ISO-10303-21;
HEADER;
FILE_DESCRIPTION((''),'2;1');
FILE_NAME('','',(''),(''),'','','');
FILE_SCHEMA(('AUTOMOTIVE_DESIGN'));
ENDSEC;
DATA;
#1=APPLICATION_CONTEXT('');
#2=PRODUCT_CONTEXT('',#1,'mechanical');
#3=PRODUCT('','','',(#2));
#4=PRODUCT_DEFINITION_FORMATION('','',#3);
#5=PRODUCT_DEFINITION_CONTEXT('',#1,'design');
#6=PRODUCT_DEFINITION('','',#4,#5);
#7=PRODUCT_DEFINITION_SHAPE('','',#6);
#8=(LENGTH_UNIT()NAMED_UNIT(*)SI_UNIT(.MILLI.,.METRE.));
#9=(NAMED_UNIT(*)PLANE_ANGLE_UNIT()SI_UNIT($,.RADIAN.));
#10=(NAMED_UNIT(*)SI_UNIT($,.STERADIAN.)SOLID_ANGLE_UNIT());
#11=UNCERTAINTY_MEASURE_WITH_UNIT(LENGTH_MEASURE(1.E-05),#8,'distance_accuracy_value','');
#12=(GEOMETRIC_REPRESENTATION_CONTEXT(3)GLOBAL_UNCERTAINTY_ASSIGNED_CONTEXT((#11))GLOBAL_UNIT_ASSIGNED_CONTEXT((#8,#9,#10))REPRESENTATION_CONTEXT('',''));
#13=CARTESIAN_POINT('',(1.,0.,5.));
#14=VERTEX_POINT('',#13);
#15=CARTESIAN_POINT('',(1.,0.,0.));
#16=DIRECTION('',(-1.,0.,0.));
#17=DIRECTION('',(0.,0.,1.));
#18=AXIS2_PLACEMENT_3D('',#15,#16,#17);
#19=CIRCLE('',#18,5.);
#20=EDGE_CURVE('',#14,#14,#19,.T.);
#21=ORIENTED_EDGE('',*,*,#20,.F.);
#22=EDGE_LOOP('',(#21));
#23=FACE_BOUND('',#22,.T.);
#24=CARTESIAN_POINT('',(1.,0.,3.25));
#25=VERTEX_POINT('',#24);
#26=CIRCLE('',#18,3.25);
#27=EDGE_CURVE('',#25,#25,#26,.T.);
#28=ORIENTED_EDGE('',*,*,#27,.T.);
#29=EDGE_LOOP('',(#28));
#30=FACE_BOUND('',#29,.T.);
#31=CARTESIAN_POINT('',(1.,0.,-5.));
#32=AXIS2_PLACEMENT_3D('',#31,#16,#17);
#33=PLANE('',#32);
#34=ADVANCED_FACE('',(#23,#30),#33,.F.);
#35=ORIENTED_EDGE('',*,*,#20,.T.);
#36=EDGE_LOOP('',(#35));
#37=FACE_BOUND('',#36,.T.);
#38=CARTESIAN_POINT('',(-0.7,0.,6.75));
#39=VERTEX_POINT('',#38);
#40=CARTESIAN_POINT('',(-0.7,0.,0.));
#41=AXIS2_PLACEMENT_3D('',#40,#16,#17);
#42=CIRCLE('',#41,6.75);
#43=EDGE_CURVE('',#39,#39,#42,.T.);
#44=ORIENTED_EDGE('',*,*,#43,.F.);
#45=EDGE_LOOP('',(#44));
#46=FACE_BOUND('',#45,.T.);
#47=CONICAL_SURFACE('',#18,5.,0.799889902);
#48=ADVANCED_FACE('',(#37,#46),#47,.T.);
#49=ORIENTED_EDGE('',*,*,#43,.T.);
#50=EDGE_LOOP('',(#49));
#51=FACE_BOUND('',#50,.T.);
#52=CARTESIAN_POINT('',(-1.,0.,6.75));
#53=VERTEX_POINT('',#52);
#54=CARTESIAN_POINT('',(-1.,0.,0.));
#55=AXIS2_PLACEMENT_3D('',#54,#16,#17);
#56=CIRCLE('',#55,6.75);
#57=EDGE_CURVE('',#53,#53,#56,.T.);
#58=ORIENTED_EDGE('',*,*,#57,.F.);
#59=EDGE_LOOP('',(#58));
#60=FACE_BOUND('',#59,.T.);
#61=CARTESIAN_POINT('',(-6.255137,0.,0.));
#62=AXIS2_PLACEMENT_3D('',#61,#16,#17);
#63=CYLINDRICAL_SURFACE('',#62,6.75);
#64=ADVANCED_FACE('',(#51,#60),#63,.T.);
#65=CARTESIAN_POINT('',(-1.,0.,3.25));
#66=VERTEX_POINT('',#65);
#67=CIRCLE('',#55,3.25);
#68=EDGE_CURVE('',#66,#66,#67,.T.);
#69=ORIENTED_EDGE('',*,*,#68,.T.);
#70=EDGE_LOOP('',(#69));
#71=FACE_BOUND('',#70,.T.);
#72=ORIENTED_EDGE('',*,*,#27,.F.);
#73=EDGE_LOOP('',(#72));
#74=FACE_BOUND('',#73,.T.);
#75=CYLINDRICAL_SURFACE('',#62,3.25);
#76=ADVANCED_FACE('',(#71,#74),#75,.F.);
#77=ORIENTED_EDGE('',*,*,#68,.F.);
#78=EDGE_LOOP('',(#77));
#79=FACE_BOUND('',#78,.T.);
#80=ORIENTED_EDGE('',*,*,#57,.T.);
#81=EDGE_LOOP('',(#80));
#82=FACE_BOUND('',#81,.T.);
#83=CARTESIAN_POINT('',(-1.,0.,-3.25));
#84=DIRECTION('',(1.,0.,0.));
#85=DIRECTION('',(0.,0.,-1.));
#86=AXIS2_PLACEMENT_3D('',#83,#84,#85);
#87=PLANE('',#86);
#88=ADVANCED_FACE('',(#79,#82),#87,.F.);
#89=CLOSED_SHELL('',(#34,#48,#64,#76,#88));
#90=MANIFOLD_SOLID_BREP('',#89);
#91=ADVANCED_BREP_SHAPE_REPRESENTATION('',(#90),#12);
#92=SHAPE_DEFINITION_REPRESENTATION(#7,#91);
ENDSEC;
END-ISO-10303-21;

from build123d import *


with BuildPart() as part:
    # Sketch1 → Revolve1 (revolve)
    with BuildSketch(Plane(origin=(0, 0, 0), x_dir=(1, 0, 0), z_dir=(0, 1, 0)), mode=Mode.PRIVATE) as revolve1_sk:
        Polygon((-1, 3.25), (1, 3.25), (1, 5), (-0.7, 6.75), (-1, 6.75), align=None)
    revolve(revolve1_sk.sketch.rotate(Axis((-6.255136986, 0, 0), (1, 0, 0)), 180), axis=Axis((-6.255136986, 0, 0), (1, 0, 0)))


solid = part.part
